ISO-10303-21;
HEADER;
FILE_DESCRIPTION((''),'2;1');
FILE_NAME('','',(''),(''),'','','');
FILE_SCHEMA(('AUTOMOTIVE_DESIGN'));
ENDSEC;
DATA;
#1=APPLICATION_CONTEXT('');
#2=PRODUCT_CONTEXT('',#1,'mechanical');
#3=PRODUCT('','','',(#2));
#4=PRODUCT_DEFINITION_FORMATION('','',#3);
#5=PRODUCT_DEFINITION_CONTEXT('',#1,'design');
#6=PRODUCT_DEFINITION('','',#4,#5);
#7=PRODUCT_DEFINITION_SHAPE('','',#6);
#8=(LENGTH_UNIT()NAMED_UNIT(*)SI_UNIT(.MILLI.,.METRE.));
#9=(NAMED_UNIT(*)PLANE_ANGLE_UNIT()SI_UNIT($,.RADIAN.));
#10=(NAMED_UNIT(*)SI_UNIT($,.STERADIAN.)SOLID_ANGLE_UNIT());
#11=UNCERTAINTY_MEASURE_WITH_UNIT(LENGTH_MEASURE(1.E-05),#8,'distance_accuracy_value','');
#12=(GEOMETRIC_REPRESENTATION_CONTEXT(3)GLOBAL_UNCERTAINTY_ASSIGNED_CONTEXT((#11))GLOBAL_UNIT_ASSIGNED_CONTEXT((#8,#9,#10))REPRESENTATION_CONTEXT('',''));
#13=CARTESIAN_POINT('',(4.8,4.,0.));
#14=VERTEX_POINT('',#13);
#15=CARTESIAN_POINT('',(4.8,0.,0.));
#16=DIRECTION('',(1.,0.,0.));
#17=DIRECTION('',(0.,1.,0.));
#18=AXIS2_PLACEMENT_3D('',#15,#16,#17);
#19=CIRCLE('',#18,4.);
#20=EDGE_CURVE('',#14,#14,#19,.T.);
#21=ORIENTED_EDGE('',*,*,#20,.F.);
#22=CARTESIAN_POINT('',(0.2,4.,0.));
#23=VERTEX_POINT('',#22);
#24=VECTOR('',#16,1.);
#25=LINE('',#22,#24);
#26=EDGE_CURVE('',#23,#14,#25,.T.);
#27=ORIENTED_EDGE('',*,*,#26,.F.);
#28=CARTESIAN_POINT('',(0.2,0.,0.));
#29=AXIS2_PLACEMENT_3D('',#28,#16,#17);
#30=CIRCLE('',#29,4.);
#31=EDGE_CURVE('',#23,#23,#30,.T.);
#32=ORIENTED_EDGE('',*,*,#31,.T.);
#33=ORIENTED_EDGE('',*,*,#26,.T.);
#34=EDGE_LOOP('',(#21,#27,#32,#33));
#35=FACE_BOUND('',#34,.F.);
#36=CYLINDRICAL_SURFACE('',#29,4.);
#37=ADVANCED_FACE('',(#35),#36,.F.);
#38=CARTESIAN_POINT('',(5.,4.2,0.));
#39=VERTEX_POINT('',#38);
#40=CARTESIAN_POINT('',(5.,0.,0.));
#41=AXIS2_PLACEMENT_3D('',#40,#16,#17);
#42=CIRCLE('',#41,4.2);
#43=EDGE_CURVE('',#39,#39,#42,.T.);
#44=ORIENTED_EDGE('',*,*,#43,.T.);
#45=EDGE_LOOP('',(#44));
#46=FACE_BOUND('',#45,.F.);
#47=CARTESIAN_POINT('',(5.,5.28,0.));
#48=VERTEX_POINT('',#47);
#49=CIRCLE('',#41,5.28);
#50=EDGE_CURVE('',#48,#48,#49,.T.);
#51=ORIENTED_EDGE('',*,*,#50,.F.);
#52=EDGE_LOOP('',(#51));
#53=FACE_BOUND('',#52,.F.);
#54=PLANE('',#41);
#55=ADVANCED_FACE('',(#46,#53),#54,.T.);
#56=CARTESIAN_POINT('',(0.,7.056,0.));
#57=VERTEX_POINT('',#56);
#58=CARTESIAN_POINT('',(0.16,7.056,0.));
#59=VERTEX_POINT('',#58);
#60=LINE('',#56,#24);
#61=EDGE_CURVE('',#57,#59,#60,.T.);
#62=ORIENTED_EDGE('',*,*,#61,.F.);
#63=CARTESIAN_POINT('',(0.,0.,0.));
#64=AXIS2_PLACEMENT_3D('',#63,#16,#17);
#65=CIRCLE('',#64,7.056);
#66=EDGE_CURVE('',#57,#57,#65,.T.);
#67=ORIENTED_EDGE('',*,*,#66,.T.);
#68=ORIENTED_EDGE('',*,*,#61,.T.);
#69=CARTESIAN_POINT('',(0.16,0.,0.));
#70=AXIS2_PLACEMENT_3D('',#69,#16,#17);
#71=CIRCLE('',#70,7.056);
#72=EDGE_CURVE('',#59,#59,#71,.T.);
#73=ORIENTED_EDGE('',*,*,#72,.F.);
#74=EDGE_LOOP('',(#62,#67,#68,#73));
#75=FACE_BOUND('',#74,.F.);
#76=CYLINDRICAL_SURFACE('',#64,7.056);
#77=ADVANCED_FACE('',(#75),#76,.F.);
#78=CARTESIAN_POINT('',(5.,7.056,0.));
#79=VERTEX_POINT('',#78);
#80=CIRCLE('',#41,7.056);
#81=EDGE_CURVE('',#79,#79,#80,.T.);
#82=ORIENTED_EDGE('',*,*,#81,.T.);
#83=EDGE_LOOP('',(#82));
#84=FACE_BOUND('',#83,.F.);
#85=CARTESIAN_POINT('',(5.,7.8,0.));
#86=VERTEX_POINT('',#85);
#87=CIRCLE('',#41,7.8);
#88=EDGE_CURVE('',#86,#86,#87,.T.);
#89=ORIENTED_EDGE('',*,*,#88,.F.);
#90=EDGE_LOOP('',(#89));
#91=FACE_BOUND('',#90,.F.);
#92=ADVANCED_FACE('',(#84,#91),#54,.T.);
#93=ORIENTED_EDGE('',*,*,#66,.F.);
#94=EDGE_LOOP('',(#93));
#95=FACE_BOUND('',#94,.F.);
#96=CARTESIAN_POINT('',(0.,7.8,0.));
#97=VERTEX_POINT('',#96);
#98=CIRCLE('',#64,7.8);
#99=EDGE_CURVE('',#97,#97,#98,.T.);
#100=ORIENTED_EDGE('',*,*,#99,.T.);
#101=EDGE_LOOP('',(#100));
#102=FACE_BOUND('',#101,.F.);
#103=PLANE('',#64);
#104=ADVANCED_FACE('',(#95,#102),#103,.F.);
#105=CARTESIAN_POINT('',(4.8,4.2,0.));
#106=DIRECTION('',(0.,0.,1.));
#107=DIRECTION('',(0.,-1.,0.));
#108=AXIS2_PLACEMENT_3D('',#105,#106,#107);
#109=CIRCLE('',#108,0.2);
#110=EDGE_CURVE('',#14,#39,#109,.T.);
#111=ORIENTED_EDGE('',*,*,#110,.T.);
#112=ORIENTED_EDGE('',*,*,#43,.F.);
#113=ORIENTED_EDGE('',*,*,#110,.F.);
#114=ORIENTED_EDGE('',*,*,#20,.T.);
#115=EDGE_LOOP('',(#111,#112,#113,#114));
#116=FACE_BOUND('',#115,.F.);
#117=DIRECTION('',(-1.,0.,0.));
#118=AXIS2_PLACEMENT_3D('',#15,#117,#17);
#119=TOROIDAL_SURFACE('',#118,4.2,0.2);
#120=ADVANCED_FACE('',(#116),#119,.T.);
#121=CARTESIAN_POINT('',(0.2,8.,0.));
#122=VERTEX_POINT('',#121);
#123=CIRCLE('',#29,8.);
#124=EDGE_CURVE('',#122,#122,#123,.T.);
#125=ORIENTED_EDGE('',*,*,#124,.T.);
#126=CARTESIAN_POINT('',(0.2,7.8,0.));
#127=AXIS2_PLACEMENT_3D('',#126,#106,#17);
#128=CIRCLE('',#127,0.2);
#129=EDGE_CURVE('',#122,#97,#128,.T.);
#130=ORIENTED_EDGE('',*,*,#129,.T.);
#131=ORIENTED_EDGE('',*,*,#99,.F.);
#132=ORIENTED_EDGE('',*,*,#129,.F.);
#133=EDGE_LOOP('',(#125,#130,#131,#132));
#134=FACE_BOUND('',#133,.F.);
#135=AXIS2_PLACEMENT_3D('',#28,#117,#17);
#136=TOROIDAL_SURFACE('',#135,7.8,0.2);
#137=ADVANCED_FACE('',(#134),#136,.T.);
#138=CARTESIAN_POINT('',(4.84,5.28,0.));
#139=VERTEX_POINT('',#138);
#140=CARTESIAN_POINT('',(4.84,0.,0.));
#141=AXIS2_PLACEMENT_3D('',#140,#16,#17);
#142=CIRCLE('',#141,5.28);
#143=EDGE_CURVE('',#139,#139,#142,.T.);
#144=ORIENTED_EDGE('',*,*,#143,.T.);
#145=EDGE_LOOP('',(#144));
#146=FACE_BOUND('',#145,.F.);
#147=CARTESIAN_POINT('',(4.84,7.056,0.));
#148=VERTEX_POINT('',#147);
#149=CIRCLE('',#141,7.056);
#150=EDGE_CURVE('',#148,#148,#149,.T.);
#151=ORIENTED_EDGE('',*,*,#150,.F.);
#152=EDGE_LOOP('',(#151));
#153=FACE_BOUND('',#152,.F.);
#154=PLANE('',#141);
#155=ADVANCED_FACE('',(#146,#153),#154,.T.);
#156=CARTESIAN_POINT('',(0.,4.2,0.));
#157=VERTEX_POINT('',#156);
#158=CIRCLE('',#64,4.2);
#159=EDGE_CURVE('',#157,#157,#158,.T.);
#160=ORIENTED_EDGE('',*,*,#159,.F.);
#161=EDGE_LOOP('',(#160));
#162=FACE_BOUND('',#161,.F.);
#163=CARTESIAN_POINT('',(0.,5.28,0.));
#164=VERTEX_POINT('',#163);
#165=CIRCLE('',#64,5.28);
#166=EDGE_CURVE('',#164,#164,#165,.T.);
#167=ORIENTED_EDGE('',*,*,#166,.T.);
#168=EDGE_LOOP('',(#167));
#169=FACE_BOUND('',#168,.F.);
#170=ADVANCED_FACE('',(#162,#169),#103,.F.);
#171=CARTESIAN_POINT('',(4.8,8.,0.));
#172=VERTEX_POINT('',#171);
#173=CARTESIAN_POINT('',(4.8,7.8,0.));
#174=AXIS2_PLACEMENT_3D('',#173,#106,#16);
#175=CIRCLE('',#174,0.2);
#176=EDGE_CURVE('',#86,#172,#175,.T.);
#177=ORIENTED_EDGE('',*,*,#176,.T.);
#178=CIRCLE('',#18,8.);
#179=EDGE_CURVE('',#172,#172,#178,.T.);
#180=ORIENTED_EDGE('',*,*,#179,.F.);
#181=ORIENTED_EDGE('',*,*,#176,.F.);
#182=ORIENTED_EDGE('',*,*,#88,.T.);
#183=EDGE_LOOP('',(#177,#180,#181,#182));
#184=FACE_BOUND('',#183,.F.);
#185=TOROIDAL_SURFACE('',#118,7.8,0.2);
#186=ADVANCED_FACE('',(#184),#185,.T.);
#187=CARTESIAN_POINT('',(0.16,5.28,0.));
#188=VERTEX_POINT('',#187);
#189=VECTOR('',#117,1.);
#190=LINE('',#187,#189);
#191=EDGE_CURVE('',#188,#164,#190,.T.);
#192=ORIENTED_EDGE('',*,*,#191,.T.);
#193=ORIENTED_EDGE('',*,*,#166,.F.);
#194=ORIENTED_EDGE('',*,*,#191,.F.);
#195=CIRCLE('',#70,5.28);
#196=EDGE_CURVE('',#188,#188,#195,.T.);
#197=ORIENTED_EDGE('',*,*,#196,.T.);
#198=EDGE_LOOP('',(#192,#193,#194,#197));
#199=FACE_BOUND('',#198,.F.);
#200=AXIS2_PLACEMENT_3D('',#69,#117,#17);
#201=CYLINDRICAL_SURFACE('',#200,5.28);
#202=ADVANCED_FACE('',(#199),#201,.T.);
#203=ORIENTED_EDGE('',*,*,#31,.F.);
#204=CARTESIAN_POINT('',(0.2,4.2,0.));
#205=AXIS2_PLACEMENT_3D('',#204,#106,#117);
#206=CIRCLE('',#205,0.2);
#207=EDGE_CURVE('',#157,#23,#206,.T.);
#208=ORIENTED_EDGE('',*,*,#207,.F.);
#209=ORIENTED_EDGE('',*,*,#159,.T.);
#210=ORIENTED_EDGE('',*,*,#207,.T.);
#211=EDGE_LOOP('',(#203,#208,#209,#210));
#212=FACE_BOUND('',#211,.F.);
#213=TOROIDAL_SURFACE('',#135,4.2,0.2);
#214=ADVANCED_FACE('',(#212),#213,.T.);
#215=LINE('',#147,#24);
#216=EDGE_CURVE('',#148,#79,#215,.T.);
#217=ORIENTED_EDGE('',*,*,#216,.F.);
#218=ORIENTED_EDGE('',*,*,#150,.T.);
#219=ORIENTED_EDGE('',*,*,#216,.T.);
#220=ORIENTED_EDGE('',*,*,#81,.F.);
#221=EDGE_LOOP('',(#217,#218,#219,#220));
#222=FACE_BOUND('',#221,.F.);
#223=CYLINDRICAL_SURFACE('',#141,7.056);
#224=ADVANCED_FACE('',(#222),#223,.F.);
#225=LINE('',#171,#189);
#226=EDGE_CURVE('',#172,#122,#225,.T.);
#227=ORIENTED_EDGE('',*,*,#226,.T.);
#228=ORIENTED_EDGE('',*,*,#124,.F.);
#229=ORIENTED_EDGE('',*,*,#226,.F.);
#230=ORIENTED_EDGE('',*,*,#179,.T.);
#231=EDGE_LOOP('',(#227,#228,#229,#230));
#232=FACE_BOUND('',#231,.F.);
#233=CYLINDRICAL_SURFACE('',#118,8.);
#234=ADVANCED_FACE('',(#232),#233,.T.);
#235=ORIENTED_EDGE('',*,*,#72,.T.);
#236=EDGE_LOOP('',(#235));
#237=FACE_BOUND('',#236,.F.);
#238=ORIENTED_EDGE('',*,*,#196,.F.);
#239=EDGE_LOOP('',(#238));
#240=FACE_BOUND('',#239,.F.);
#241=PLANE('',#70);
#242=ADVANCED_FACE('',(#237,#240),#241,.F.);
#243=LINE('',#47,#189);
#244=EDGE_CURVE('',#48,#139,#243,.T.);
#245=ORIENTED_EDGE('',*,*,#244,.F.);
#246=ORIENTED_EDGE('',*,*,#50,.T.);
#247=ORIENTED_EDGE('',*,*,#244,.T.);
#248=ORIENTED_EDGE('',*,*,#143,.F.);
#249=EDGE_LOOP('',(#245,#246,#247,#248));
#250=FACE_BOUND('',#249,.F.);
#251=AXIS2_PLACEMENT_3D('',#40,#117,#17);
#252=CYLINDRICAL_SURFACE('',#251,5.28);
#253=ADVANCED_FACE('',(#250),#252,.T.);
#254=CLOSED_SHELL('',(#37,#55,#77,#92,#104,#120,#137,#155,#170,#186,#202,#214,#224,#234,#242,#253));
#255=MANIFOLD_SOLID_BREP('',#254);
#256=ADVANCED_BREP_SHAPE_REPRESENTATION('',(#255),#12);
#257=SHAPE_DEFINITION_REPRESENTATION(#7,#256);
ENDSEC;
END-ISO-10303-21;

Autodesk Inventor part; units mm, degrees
sketch "Sketch_1" plane through (0, 0, 0) normal (0, 0, 1) x (1, 0, 0)
  line L0 (4.8, 0) -> (0.2, 0)
  arc A0 (0, 4.2) -> (0.2, 4) centre (0.2, 4.2) ccw
  line L1 (0.2, 4) -> (4.8, 4)
  arc A1 (4.8, 4) -> (5, 4.2) centre (4.8, 4.2) ccw
  line L2 (5, 4.2) -> (5, 5.28)
  line L3 (5, 5.28) -> (4.84, 5.28)
  line L4 (4.84, 5.28) -> (4.84, 7.056)
  line L5 (4.84, 7.056) -> (5, 7.056)
  line L6 (5, 7.056) -> (5, 7.8)
  arc A2 (5, 7.8) -> (4.8, 8) centre (4.8, 7.8) ccw
  line L7 (4.8, 8) -> (0.2, 8)
  arc A3 (0.2, 8) -> (0, 7.8) centre (0.2, 7.8) ccw
  line L8 (0, 7.8) -> (0, 7.056)
  line L9 (0, 7.056) -> (0.16, 7.056)
  line L10 (0.16, 7.056) -> (0.16, 5.28)
  line L11 (0.16, 5.28) -> (0, 5.28)
  line L12 (0, 5.28) -> (0, 4.2)
revolve "Revolution1" add sketch "Sketch_1" angle 360 about axis through (4.8, 0, 0) along (1, 0, 0)
ref_plane "to_housing_XY" through (0, 0, 0) normal (1, 0, 0) x (0, 0, -1)
ref_plane "to_housing_YZ" through (0, 0, 0) normal (0, 0, -1) x (0, 1, 0)
ref_plane "to_housing_ZX" through (0, 0, 0) normal (0, 1, 0) x (1, 0, 0)
ref_plane "to_housing_center_XY" through (2.5, 0, 0) normal (1, 0, 0) x (0, 0, -1)
ref_plane "to_housing_center_YZ" through (2.5, 0, 0) normal (0, 0, -1) x (0, 1, 0)
ref_plane "to_housing_center_ZX" through (2.5, 0, 0) normal (0, 1, 0) x (1, 0, 0)
properties part number "B688ZZ" material "鋼、合金"
